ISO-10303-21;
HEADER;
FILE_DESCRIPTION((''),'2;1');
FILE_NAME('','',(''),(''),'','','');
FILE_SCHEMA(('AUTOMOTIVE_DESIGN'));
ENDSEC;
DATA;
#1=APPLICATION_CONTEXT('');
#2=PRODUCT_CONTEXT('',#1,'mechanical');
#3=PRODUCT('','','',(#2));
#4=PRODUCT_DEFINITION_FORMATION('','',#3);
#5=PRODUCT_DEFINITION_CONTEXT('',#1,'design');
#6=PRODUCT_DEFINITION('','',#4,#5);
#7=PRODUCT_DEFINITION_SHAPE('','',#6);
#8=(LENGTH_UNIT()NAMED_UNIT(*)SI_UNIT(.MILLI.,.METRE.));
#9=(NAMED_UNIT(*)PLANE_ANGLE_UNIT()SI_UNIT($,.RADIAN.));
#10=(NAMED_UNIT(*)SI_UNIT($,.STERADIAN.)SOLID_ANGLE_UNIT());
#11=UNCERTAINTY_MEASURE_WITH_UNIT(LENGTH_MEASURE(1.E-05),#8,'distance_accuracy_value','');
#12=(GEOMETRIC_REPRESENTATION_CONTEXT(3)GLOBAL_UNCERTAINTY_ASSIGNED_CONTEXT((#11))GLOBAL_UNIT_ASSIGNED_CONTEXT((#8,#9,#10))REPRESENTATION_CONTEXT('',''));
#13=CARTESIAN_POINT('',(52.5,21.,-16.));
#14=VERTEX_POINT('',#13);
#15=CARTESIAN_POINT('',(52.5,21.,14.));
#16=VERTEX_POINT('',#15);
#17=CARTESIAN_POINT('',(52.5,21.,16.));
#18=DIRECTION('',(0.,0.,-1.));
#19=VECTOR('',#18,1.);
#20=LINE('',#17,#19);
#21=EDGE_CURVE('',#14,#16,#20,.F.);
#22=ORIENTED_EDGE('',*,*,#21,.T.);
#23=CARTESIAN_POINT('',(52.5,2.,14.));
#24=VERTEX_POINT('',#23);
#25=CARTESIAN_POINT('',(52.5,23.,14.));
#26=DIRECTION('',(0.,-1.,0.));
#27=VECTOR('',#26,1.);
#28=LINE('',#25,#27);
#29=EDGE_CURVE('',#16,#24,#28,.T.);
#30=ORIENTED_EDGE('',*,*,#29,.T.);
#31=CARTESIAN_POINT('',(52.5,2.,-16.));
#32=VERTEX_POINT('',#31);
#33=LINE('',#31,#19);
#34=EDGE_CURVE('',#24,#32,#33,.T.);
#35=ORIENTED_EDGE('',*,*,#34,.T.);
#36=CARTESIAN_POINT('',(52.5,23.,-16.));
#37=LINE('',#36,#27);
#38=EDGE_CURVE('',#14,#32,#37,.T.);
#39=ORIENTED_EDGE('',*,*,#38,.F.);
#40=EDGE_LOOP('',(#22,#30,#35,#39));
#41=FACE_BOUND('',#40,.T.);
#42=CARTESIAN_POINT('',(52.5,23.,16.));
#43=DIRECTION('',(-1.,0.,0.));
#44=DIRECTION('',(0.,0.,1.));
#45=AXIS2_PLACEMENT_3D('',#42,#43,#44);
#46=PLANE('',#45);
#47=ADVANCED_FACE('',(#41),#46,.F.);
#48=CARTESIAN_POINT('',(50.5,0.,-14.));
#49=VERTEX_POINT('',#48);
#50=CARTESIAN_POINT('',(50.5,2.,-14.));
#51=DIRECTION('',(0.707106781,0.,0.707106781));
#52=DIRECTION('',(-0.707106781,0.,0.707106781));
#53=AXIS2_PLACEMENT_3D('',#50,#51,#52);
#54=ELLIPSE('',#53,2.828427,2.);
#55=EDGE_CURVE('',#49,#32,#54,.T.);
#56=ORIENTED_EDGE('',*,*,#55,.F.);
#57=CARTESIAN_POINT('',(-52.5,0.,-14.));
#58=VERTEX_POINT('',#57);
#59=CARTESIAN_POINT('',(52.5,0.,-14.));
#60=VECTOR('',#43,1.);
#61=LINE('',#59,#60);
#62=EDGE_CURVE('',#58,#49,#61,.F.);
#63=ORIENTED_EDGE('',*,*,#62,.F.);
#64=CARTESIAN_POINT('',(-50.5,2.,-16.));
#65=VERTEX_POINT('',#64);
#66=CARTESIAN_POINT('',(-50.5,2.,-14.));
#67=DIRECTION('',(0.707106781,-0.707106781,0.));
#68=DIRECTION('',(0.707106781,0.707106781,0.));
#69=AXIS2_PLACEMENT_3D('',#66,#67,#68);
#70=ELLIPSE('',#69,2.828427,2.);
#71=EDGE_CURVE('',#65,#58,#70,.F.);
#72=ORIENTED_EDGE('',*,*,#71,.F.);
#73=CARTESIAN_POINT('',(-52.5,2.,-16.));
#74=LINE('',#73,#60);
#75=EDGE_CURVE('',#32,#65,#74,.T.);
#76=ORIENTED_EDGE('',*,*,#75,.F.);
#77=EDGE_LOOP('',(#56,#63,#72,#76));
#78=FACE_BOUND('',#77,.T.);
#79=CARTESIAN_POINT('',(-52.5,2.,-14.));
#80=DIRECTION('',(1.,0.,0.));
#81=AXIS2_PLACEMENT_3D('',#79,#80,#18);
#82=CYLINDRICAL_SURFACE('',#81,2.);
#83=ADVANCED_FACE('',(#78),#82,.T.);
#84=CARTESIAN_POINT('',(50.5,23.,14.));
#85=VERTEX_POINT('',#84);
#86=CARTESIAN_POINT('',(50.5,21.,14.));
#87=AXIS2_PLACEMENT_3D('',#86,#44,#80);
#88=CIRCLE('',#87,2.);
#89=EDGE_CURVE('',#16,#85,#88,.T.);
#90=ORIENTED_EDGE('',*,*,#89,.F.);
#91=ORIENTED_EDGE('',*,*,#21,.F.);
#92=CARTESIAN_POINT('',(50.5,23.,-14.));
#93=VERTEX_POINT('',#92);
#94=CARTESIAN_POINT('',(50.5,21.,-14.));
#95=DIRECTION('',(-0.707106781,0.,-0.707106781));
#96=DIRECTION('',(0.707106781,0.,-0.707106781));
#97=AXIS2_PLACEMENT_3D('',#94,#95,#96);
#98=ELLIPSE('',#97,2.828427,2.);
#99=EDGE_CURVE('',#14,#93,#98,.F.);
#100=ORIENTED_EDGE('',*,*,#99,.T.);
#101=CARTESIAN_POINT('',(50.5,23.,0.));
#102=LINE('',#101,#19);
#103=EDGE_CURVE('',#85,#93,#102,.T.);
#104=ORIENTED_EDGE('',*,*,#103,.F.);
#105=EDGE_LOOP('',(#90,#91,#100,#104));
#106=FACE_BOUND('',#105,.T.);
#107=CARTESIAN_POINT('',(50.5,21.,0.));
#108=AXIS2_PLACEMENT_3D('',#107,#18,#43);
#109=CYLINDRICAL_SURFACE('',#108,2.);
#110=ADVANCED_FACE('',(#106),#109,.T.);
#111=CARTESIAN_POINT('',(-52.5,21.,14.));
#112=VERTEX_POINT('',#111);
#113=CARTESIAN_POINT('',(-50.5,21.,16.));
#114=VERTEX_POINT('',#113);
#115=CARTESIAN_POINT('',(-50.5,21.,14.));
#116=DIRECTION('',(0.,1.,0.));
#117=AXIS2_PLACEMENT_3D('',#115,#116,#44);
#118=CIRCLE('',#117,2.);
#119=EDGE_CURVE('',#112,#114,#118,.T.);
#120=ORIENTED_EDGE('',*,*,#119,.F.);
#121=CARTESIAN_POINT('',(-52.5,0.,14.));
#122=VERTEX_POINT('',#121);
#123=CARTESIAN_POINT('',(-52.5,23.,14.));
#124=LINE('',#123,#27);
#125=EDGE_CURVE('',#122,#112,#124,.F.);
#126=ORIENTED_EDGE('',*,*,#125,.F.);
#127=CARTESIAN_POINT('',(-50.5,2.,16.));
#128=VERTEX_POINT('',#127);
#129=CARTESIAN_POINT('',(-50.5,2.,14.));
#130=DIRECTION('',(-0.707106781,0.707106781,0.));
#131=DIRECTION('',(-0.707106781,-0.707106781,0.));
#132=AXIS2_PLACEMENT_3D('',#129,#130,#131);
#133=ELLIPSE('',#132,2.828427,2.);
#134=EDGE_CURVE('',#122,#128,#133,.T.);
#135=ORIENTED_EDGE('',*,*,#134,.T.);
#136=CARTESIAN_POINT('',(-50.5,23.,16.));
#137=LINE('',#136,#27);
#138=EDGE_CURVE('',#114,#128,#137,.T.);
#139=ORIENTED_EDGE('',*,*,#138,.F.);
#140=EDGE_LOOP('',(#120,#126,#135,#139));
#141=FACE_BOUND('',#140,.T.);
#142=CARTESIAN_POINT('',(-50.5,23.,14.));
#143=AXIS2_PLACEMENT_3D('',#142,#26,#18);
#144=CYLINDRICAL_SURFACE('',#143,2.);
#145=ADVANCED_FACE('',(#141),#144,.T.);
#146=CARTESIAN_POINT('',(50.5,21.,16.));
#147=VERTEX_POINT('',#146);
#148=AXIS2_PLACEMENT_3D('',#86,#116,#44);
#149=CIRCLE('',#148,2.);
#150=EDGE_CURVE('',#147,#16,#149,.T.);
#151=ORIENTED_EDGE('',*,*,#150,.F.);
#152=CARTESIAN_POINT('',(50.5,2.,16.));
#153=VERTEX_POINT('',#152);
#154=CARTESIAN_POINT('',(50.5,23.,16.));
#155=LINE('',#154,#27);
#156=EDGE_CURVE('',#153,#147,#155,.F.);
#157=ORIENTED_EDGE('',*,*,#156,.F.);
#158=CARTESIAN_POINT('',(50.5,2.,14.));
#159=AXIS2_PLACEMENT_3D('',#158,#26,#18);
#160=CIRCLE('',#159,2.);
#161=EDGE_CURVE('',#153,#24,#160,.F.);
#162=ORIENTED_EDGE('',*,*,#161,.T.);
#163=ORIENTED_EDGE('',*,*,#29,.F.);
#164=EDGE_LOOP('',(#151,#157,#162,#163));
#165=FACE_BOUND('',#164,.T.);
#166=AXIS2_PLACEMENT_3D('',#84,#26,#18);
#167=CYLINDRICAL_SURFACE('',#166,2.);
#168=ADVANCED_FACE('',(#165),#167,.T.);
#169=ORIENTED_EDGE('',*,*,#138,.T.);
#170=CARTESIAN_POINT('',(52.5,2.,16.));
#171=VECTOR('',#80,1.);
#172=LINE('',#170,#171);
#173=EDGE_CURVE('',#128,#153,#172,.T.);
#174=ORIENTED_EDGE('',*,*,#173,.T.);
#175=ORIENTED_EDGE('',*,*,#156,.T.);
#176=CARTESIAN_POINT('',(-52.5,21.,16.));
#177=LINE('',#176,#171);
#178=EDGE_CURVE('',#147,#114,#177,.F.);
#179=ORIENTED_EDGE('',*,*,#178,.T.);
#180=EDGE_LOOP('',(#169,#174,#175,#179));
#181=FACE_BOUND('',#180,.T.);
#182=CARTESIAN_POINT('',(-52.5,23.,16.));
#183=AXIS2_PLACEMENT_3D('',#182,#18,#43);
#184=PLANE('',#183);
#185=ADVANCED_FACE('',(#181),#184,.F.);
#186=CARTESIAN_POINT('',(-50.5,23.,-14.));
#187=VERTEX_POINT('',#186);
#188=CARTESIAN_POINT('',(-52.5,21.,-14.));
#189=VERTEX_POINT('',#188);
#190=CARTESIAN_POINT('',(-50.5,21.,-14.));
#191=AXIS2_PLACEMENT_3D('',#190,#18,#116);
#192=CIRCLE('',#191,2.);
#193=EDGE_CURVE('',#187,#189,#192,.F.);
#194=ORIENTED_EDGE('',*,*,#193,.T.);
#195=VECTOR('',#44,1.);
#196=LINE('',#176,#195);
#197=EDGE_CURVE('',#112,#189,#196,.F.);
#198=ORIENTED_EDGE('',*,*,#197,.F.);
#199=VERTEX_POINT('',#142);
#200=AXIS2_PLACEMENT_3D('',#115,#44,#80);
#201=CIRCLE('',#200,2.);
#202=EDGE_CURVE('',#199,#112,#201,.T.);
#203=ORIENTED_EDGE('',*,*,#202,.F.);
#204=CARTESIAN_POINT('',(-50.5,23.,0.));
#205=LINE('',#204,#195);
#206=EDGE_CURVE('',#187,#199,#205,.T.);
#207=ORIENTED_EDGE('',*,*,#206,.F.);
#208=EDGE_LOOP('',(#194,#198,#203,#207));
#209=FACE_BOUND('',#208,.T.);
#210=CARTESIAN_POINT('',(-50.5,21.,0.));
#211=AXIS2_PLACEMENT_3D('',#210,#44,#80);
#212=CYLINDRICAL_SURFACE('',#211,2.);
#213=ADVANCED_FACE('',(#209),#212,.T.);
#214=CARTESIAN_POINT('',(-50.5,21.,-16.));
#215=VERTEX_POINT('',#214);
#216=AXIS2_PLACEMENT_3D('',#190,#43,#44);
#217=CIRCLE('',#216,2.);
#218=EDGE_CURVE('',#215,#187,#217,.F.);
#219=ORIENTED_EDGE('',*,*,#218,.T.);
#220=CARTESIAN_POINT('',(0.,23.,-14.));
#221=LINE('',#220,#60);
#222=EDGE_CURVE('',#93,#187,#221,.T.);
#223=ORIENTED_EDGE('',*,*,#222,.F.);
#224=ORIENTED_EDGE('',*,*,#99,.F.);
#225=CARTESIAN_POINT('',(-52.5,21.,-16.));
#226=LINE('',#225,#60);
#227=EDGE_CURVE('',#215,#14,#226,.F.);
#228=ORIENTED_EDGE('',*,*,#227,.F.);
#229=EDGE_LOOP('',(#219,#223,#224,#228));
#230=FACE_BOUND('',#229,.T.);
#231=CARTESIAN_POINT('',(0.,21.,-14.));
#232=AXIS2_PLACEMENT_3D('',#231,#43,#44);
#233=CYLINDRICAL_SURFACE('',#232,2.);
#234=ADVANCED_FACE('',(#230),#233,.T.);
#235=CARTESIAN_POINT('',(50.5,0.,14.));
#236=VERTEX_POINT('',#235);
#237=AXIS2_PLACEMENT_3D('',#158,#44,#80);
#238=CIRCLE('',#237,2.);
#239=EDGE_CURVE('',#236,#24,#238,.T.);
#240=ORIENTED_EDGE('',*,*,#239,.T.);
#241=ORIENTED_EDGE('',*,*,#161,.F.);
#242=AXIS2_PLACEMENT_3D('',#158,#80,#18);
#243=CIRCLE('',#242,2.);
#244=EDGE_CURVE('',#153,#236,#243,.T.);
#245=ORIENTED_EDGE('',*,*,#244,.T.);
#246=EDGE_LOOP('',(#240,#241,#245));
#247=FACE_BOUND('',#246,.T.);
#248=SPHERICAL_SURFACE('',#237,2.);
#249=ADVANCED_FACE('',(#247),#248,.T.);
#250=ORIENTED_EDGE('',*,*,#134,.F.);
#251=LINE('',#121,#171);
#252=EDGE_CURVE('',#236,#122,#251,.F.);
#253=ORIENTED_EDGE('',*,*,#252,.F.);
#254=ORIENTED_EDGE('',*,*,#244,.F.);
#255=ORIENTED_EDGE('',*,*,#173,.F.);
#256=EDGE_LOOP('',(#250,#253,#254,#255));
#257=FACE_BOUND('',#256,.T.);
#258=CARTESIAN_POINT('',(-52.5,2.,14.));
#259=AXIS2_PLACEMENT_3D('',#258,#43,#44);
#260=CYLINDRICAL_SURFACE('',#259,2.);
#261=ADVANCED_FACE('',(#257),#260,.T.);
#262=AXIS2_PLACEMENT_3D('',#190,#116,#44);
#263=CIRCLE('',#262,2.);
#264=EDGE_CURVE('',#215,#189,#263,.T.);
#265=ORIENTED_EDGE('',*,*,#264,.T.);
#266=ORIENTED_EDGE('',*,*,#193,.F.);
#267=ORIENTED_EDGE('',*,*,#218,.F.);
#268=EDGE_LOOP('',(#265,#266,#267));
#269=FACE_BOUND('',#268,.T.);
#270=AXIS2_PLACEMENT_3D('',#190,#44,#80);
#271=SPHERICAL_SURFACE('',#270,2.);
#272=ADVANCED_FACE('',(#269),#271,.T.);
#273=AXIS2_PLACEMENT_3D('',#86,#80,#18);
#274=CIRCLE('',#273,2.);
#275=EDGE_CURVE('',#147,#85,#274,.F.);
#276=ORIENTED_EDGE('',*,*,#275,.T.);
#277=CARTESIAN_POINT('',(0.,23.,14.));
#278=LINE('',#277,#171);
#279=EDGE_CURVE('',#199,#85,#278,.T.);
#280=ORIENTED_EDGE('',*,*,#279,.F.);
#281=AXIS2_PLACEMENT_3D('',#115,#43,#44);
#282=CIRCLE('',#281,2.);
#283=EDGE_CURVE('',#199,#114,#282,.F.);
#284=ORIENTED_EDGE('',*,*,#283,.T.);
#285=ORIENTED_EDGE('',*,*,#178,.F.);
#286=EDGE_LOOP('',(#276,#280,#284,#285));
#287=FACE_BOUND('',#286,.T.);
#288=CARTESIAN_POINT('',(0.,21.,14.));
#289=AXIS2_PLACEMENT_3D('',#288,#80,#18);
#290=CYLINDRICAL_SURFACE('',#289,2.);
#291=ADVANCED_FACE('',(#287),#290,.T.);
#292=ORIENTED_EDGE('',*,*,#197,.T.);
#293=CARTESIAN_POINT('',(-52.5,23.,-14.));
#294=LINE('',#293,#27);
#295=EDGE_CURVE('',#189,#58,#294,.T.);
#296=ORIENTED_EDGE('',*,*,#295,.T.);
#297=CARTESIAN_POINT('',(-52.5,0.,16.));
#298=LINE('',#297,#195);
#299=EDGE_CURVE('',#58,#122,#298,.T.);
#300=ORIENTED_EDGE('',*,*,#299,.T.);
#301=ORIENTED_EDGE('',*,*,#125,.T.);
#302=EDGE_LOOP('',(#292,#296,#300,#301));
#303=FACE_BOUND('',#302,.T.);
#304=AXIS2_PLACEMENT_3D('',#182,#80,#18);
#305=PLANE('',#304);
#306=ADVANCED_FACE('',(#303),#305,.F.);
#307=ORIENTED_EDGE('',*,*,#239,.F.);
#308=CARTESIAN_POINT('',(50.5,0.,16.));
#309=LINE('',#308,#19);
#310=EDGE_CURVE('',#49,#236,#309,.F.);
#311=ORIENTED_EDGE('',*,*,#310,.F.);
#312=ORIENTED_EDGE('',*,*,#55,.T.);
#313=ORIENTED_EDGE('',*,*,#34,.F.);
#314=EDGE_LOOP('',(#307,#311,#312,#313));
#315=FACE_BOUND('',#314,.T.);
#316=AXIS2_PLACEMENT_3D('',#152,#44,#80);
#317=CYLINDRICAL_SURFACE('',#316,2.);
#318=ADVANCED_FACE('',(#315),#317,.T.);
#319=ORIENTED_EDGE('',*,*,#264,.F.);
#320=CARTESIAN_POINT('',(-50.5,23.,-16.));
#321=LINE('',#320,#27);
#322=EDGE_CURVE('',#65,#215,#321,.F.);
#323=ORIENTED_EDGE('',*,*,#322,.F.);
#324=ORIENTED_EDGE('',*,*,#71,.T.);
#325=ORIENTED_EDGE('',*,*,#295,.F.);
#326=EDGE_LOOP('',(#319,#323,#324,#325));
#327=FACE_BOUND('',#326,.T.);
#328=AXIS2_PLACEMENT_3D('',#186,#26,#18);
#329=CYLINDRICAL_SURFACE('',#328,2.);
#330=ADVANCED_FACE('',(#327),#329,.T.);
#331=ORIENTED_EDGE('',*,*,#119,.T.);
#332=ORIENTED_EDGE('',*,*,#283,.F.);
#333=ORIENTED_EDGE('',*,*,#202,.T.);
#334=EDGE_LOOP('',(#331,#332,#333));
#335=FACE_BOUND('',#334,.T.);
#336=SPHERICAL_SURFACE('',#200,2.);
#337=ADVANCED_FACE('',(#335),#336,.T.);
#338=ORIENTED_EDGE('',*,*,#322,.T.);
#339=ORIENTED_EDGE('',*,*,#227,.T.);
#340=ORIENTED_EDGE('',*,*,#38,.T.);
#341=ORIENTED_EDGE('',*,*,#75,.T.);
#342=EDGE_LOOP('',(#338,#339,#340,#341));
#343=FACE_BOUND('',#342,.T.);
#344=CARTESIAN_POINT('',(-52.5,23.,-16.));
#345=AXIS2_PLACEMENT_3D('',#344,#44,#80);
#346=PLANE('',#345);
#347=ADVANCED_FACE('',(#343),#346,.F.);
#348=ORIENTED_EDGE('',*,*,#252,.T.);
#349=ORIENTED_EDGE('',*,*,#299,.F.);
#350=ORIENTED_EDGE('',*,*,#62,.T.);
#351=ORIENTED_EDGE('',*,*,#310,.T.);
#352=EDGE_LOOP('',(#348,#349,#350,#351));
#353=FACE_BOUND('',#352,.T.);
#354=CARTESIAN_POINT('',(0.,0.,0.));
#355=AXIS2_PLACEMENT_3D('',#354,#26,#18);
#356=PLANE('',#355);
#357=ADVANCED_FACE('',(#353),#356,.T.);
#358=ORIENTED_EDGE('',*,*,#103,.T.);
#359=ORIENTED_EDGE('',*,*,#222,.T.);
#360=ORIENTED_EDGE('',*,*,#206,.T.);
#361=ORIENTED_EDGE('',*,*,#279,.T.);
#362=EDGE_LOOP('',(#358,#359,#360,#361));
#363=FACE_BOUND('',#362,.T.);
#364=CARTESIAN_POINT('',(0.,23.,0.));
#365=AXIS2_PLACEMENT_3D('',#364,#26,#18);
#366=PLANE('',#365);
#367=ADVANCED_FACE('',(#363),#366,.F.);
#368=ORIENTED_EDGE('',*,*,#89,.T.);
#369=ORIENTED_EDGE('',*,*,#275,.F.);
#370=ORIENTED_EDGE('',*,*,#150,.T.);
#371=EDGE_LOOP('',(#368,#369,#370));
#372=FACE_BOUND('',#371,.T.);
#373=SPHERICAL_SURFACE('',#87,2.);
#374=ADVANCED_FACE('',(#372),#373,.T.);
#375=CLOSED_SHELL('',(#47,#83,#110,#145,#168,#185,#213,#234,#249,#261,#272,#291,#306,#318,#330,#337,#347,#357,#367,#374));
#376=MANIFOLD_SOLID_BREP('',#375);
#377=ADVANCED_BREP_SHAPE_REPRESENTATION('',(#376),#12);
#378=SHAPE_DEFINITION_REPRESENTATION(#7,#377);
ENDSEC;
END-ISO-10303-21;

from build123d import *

# Parameters (mm, degrees)
SKETCH1_W           = 105
SKETCH1_H           = 32
BOSS_EXTRUDE1_DEPTH = 23
FILLET1_R           = 2


with BuildPart() as part:
    # Sketch1 → Boss-Extrude1 (new body)
    with BuildSketch(Plane(origin=(0, 0, 0), x_dir=(1, 0, 0), z_dir=(0, 1, 0))):
        Rectangle(SKETCH1_W, SKETCH1_H)
    extrude(amount=BOSS_EXTRUDE1_DEPTH)

    # Fillet1
    fillet1_edges = [part.edges().sort_by_distance(p)[0] for p in [
        (-52.5, 23, 0),
        (0, 23, 16),
        (52.5, 23, 0),
        (0, 0, 16),
        (0, 0, -16),
        (52.5, 0, 0),
        (0, 23, -16),
        (52.5, 11.5, 16),
        (-52.5, 11.5, 16),
        (-52.5, 11.5, -16),
    ]]
    fillet(fillet1_edges, radius=FILLET1_R)


solid = part.part
